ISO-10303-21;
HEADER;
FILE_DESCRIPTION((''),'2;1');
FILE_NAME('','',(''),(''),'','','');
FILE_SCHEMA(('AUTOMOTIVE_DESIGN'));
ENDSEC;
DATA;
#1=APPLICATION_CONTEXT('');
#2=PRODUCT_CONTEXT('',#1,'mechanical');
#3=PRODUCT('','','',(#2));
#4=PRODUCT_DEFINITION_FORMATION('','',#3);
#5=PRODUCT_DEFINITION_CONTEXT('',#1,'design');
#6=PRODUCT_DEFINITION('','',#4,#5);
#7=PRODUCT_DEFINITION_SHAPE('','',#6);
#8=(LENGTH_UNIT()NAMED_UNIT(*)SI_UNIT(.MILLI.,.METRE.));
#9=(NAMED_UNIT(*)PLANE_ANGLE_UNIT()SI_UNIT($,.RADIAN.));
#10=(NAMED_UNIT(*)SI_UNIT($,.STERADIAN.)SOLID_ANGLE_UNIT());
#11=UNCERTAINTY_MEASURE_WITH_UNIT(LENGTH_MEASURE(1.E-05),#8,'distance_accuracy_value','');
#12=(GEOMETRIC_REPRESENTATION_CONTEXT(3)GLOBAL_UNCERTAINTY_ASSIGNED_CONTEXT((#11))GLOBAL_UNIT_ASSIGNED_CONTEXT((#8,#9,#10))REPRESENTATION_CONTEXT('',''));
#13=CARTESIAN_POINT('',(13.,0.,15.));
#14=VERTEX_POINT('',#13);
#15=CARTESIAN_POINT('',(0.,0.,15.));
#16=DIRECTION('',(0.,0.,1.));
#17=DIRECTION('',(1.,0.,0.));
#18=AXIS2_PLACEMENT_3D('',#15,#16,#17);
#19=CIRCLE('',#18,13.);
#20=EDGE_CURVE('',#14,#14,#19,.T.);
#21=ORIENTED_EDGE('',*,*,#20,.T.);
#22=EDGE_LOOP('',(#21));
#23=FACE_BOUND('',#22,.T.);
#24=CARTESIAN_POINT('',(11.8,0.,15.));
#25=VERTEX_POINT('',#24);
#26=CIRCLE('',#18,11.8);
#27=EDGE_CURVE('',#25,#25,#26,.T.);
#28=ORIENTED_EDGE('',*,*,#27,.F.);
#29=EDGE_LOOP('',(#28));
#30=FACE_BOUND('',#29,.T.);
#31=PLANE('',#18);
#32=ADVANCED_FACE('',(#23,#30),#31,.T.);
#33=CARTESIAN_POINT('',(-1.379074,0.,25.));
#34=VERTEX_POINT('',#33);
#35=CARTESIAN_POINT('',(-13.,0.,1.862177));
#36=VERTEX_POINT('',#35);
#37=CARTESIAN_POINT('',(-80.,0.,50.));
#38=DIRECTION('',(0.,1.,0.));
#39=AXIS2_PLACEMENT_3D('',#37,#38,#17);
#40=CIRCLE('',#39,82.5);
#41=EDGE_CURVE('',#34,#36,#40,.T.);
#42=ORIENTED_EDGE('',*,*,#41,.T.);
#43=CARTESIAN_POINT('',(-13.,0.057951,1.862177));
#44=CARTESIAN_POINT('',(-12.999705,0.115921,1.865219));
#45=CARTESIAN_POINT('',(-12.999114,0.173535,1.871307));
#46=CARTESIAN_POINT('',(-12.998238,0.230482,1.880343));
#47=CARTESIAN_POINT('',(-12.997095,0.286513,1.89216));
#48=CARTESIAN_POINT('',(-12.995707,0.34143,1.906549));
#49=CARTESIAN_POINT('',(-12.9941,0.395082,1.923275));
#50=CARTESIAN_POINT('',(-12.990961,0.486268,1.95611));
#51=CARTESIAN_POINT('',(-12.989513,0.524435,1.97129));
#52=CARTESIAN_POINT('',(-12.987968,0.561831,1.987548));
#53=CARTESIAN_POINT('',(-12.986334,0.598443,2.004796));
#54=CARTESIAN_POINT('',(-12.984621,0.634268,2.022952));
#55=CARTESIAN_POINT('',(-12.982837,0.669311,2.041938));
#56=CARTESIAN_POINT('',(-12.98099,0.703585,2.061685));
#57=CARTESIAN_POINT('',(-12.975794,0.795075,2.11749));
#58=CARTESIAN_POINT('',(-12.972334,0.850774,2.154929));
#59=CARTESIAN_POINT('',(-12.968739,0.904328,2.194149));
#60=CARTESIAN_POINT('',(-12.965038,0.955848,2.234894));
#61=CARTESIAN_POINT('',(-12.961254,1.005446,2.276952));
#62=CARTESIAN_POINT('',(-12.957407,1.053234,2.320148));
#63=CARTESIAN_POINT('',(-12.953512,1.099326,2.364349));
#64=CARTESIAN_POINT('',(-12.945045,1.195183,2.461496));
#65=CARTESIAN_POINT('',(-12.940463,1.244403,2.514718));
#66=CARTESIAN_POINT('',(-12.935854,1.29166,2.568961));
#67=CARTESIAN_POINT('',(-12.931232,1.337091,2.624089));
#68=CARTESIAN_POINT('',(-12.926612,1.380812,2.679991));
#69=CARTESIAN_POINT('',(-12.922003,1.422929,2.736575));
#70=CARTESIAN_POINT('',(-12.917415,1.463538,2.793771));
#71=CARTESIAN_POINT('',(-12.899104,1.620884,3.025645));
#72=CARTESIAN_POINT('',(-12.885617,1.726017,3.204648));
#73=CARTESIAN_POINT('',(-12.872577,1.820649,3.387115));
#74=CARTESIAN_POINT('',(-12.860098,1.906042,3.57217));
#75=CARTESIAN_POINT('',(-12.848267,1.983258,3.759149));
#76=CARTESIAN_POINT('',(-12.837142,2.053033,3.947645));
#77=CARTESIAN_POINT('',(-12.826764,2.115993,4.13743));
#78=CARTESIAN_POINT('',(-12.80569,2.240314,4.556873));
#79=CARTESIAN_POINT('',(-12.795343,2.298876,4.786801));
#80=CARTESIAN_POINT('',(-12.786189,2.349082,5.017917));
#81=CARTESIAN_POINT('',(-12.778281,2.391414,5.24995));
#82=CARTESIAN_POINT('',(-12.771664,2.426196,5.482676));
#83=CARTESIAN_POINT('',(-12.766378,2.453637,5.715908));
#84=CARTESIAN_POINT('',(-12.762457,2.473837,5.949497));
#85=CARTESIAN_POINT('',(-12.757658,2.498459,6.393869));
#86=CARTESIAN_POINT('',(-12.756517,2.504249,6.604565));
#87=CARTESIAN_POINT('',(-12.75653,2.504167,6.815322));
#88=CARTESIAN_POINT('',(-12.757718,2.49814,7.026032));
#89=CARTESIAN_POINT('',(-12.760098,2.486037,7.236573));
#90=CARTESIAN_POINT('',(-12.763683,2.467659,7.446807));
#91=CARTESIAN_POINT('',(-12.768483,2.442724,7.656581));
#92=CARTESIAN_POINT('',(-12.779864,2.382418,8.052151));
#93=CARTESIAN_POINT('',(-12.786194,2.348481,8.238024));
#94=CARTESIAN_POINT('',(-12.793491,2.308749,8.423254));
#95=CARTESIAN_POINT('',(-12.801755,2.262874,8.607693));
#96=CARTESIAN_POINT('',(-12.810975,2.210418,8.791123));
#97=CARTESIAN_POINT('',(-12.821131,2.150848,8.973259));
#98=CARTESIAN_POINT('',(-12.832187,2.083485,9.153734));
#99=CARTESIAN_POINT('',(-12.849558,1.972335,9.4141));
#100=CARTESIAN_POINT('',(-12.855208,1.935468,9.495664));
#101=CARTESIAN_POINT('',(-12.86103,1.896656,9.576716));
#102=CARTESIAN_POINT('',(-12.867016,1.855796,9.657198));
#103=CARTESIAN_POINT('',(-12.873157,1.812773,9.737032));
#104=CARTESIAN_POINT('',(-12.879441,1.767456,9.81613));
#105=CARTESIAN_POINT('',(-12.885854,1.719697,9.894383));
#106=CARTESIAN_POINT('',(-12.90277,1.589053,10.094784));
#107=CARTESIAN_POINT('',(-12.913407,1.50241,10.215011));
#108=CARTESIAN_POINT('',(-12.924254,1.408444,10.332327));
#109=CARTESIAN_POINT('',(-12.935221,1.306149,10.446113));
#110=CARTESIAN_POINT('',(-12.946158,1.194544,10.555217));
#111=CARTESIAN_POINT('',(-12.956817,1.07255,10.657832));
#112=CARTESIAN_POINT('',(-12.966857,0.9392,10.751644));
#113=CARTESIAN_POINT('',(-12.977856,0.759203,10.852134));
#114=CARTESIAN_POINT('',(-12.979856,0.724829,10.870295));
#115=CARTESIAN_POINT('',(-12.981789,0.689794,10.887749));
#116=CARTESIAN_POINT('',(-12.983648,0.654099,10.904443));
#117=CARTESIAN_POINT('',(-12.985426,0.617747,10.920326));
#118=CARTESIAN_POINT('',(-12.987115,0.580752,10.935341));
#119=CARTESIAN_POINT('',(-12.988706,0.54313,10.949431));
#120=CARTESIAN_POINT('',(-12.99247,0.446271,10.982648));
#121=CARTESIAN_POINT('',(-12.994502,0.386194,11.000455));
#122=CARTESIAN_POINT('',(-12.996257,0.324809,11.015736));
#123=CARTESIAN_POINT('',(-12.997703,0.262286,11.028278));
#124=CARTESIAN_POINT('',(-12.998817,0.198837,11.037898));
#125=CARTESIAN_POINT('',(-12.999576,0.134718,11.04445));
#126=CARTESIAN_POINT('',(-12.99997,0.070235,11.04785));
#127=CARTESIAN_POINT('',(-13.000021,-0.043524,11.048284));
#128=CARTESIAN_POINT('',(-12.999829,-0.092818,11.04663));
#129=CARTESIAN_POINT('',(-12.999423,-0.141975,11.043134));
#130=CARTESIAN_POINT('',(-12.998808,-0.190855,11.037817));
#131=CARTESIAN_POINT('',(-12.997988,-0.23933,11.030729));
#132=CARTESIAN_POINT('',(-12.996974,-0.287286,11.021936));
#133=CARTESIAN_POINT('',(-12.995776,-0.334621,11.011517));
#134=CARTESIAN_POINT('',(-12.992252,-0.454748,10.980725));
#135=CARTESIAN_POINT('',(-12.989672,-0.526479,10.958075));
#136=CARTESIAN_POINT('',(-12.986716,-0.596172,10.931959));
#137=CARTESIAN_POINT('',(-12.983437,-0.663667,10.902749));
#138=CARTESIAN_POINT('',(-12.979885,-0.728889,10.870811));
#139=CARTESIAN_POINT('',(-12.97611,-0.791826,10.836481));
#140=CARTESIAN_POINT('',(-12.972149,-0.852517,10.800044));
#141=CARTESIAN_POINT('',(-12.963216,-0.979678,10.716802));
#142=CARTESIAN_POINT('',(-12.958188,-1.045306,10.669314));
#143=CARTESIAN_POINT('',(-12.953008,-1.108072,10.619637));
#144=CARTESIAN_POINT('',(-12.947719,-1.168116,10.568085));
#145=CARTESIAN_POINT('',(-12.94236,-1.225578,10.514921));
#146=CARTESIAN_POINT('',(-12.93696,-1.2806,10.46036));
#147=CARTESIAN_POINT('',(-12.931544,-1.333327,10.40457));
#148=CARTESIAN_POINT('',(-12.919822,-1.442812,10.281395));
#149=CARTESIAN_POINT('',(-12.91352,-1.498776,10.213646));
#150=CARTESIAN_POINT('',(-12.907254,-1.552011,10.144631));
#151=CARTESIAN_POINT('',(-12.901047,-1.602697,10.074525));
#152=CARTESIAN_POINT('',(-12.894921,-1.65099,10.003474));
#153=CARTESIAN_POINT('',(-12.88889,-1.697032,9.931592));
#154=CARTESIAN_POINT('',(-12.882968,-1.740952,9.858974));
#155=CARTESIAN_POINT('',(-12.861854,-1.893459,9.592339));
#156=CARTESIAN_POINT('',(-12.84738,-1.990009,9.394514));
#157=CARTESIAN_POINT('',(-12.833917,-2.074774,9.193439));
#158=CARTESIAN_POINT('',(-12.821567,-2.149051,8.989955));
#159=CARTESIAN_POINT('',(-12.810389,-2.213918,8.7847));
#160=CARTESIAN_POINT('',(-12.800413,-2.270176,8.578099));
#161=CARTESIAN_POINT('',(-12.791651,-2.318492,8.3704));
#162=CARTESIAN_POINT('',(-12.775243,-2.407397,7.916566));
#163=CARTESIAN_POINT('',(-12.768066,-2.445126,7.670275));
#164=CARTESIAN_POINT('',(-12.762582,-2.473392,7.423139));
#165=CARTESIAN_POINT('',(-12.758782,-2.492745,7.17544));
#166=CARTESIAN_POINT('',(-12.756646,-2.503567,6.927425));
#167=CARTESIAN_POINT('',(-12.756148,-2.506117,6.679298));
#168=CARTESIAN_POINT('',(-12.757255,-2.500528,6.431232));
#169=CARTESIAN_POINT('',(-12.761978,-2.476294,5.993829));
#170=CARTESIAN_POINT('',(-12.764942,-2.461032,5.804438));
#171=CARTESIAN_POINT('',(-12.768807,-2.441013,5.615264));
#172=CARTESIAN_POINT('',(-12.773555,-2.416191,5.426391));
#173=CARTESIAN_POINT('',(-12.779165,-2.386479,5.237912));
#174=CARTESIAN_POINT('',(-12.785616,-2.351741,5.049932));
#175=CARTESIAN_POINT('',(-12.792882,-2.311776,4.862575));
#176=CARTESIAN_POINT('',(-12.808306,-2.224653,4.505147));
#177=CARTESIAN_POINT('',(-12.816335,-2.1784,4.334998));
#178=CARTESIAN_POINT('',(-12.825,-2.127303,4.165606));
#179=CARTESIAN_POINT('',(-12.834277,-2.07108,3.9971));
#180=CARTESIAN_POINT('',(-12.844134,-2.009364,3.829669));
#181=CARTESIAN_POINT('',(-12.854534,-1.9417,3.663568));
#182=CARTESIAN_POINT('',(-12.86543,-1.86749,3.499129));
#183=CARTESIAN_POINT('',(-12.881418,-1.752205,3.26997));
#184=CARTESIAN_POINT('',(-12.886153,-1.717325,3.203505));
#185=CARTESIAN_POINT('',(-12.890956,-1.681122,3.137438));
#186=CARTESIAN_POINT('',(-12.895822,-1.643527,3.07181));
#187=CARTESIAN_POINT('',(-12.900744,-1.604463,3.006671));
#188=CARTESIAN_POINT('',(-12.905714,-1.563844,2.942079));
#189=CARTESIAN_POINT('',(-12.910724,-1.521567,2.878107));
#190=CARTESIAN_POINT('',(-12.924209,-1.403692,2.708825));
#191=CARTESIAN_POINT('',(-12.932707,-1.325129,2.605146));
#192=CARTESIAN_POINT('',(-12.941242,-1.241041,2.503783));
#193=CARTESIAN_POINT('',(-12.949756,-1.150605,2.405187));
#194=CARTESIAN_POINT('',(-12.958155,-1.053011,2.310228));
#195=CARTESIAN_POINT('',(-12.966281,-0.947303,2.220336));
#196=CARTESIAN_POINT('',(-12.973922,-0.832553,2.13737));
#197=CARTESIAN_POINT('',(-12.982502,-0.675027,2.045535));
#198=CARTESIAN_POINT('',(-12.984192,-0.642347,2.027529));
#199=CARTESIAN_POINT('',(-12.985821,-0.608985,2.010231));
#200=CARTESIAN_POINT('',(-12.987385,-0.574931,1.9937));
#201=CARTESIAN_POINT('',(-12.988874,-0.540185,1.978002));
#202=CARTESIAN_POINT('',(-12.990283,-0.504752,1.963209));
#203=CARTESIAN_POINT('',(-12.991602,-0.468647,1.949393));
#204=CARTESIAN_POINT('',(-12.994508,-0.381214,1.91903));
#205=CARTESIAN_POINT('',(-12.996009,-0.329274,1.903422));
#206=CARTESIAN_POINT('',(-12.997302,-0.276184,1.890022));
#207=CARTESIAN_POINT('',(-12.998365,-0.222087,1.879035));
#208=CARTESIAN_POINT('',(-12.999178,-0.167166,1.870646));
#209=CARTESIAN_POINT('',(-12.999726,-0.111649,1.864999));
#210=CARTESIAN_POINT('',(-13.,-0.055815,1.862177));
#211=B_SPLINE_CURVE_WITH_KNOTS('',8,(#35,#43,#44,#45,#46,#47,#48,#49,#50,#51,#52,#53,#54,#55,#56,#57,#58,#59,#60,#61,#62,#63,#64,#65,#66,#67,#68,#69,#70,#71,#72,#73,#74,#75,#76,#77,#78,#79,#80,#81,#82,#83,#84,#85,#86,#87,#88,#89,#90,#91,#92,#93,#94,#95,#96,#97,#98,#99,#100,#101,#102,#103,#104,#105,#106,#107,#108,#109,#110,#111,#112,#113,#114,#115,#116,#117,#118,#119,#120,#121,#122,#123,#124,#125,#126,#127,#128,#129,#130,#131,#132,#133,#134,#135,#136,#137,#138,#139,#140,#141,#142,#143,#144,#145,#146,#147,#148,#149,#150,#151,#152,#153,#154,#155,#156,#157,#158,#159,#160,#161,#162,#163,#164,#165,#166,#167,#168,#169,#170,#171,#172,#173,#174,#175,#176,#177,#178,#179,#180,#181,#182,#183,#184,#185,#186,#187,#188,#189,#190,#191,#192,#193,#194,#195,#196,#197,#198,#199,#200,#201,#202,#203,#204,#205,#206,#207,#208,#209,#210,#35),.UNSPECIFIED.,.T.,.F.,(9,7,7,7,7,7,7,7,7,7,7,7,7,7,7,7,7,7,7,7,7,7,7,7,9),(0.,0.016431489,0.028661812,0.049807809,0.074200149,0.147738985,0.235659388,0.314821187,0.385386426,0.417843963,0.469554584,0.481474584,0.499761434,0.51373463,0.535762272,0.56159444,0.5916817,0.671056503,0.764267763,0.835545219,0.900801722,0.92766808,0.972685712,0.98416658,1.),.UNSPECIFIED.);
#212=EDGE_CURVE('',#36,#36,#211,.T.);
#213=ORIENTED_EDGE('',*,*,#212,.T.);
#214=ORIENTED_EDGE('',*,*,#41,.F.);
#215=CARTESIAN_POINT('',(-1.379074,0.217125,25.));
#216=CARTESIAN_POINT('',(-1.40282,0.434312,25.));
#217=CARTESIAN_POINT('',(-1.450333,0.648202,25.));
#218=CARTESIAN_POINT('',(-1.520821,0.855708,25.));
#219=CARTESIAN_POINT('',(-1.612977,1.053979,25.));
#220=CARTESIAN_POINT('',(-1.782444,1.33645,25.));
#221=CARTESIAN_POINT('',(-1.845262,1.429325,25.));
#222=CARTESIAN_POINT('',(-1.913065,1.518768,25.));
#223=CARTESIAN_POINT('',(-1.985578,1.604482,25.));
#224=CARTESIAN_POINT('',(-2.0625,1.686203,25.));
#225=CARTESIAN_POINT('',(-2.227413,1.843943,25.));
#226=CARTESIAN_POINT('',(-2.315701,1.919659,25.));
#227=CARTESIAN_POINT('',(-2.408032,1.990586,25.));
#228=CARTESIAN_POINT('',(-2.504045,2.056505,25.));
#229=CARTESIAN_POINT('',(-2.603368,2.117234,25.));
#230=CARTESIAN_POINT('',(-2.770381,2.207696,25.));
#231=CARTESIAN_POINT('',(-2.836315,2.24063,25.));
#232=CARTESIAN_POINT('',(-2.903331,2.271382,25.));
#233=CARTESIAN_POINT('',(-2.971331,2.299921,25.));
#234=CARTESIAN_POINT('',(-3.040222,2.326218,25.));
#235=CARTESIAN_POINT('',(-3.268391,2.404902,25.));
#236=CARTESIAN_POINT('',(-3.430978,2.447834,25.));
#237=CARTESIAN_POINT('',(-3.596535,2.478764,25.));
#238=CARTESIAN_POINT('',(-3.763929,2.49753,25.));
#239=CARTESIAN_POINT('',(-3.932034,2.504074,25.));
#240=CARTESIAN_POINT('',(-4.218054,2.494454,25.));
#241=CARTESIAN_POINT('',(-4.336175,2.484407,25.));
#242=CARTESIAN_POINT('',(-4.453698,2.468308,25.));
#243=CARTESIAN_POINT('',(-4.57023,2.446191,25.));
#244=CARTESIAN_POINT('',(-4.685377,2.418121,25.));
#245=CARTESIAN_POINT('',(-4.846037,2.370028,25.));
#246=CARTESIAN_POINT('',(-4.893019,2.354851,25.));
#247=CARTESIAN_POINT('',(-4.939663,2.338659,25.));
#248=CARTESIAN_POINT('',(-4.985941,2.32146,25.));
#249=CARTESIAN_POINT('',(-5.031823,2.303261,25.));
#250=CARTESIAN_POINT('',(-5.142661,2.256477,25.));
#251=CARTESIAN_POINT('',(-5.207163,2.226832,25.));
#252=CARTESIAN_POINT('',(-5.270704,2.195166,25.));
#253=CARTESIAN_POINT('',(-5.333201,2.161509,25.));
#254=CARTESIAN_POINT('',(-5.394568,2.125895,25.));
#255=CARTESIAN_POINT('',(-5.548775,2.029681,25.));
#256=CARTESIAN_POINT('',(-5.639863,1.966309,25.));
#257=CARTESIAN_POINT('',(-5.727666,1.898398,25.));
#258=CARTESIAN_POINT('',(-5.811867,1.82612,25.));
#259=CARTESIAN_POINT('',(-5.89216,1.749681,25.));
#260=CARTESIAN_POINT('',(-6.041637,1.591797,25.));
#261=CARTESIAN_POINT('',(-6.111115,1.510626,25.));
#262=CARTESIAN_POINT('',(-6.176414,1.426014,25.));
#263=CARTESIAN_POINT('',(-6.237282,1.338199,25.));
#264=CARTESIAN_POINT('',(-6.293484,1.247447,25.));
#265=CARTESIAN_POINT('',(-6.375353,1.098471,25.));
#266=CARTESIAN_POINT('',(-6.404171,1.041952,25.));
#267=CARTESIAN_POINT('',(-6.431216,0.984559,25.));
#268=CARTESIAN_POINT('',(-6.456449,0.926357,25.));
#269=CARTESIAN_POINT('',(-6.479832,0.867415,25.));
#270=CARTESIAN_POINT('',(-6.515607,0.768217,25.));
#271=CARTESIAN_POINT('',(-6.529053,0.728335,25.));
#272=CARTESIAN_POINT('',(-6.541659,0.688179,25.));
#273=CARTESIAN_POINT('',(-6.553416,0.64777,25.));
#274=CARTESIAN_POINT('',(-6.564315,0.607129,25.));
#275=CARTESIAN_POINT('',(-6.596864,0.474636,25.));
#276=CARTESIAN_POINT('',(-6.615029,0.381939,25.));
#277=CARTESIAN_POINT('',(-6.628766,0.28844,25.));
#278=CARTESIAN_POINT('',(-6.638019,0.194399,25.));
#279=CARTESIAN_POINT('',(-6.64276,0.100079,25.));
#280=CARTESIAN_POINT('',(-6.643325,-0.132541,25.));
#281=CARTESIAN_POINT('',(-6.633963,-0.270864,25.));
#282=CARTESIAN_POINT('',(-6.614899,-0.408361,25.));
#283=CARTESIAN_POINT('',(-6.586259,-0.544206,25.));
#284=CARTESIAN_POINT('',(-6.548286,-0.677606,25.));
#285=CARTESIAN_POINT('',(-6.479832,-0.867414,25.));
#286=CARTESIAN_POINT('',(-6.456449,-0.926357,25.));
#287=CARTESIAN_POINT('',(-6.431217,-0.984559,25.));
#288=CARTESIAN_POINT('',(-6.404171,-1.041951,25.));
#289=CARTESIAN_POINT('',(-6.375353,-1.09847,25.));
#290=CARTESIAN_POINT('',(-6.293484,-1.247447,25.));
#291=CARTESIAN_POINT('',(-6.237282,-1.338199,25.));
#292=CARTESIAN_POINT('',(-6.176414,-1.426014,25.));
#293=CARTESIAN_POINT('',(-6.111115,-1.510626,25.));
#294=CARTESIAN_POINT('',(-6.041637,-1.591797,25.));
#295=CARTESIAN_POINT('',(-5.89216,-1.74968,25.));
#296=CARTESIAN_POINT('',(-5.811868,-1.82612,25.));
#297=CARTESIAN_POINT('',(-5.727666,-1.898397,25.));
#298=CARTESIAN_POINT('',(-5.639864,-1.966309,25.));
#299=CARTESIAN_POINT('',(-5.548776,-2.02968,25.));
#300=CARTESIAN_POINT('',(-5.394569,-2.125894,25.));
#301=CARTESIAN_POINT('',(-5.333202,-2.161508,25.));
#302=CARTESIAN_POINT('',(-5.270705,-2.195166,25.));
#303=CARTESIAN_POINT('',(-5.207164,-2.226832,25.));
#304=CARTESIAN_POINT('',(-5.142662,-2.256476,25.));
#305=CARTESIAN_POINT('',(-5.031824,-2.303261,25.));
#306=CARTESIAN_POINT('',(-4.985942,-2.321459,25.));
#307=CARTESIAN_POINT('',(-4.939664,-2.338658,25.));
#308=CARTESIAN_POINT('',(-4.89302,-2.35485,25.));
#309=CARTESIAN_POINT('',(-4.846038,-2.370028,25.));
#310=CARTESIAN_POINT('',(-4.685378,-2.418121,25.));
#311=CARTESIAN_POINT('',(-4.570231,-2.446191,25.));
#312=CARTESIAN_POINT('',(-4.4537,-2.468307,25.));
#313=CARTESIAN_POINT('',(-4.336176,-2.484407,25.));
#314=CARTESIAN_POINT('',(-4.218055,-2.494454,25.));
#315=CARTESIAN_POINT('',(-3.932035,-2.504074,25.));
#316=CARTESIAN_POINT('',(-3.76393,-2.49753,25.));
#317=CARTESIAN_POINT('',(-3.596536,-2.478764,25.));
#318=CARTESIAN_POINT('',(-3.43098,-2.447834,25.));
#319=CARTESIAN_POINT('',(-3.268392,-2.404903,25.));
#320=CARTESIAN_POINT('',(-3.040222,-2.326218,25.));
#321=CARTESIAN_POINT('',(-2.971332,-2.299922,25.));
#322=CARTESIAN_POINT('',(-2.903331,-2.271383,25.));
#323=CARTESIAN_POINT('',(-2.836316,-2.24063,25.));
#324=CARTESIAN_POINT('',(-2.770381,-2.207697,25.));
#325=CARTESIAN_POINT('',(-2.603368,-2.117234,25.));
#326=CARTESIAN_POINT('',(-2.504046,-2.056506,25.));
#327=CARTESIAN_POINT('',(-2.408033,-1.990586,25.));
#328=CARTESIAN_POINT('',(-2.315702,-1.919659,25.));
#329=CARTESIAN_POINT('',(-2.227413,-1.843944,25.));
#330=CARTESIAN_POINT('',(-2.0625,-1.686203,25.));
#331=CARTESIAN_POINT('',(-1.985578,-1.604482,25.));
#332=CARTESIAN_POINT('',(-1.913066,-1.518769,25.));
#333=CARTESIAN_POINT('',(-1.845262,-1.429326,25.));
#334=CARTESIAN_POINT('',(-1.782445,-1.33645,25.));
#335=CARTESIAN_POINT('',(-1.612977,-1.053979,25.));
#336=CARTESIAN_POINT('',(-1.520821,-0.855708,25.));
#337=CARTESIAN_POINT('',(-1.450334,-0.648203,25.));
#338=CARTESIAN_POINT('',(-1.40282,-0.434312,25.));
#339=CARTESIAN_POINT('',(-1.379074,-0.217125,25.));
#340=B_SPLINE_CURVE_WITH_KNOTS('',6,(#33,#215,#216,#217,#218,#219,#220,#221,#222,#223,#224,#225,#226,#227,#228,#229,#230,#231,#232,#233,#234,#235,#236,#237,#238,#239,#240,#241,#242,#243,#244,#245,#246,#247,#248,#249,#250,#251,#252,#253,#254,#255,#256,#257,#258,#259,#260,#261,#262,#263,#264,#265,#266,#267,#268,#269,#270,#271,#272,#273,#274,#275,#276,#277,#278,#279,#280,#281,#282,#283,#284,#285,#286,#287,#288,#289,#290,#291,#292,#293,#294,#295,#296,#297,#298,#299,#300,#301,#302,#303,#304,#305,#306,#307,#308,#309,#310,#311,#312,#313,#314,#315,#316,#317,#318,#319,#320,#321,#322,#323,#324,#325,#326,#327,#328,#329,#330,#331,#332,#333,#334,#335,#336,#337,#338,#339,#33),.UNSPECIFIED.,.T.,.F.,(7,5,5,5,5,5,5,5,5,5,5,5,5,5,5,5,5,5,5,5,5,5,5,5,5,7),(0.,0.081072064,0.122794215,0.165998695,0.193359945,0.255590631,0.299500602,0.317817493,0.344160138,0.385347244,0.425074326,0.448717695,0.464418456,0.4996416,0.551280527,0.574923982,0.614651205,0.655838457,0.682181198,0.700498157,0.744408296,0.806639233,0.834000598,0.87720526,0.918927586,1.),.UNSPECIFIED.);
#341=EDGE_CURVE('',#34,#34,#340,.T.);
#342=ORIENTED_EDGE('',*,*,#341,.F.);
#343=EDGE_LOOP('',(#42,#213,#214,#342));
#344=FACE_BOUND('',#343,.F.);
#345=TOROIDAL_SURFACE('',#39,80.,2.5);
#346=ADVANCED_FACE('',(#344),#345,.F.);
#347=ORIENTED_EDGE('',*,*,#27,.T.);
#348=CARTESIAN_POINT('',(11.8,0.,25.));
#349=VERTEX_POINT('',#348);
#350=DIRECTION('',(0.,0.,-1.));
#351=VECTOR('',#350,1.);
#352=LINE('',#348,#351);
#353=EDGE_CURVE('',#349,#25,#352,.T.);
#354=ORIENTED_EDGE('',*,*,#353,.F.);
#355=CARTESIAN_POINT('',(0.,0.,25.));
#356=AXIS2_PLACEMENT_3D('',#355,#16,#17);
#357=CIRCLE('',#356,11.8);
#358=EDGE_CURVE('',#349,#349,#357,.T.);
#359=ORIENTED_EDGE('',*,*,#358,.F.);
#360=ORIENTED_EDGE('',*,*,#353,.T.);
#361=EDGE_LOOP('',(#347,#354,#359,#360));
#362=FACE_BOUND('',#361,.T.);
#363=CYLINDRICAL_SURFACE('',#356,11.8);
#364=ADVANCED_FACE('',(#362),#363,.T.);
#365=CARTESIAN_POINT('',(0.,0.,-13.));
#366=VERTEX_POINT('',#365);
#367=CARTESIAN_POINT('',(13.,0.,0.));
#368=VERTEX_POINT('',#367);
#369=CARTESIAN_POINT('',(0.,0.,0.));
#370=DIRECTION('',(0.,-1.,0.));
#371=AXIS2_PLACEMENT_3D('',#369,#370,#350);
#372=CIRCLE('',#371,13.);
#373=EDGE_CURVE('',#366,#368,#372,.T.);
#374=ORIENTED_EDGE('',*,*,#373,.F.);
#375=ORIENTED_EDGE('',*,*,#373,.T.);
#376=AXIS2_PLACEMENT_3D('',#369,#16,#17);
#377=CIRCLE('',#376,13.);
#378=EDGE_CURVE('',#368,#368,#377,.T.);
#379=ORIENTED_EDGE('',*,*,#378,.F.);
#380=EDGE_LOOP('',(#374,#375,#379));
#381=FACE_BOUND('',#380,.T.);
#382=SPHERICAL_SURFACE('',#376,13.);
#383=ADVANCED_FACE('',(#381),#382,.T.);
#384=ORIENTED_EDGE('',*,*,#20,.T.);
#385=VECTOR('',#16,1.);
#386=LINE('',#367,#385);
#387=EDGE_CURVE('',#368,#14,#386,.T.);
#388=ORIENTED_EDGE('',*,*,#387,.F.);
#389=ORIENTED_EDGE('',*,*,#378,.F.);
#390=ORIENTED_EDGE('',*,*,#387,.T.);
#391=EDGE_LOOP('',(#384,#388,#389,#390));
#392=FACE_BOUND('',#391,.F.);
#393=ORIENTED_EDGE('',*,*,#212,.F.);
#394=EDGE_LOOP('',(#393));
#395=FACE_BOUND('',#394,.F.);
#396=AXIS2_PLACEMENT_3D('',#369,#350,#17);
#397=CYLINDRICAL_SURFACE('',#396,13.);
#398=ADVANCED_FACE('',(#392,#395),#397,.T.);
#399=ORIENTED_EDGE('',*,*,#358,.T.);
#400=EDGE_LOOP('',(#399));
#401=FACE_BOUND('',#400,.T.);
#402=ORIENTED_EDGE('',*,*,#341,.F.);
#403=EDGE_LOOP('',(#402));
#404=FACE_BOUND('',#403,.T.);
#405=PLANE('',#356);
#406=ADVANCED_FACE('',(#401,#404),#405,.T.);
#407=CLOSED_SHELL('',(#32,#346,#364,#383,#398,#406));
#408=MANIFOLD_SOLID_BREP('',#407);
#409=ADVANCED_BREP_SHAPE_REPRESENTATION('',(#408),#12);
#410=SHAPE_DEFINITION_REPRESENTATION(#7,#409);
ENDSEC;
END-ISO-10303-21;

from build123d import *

# Parameters (mm, degrees)
F0_R      = 13
F1_DEPTH  = 25
F3_R      = 2.5
F7_ANGLE  = 90
F2_R      = 13
F2_R_2    = 11.8
F10_DEPTH = 10


with BuildPart() as f1:
    # F0 (on Top) → F1 (new body)
    with BuildSketch(Plane.XY):
        Circle(F0_R)
    extrude(amount=F1_DEPTH)

    # F8 (on Front) → F9 (revolve)
    with BuildSketch(Plane.XZ):
        with BuildLine():
            Line((0, 0), (0, -13))
            ThreePointArc((0, -13), (9.1923881554, -9.1923881554), (13, 0))
            Line((13, 0), (0, 0))
        make_face()
    revolve(axis=Axis((0, 0, 0), (0, 0, 1)))

    # F2 (on face) → F10 (cut)
    with BuildSketch(Plane.XY.offset(25)):
        Circle(F2_R)
        Circle(F2_R_2, mode=Mode.SUBTRACT)
    extrude(amount=-F10_DEPTH, mode=Mode.SUBTRACT)


with BuildPart() as f5:
    # F3 (on Front) → F5 (revolve)
    with BuildSketch(Plane.XZ):
        with Locations((-50, 50)):
            Circle(F3_R)
    revolve(axis=Axis((-130, 0, 0), (0, 0, 1)))


with BuildPart() as f5_1:
    # F6: moved
    add(f5.part.moved(Location((50, 0, 0))))


with BuildPart() as f5_2:
    # F7: moved
    add(f5_1.part.rotate(Axis((-88.6065643281, 0, 50), (-1, 0, 0)), F7_ANGLE))


with BuildPart() as f1_1:
    add(f1.part)

    # F11: cut F5
    add(f5_2.part, mode=Mode.SUBTRACT)


solid = f1_1.part
